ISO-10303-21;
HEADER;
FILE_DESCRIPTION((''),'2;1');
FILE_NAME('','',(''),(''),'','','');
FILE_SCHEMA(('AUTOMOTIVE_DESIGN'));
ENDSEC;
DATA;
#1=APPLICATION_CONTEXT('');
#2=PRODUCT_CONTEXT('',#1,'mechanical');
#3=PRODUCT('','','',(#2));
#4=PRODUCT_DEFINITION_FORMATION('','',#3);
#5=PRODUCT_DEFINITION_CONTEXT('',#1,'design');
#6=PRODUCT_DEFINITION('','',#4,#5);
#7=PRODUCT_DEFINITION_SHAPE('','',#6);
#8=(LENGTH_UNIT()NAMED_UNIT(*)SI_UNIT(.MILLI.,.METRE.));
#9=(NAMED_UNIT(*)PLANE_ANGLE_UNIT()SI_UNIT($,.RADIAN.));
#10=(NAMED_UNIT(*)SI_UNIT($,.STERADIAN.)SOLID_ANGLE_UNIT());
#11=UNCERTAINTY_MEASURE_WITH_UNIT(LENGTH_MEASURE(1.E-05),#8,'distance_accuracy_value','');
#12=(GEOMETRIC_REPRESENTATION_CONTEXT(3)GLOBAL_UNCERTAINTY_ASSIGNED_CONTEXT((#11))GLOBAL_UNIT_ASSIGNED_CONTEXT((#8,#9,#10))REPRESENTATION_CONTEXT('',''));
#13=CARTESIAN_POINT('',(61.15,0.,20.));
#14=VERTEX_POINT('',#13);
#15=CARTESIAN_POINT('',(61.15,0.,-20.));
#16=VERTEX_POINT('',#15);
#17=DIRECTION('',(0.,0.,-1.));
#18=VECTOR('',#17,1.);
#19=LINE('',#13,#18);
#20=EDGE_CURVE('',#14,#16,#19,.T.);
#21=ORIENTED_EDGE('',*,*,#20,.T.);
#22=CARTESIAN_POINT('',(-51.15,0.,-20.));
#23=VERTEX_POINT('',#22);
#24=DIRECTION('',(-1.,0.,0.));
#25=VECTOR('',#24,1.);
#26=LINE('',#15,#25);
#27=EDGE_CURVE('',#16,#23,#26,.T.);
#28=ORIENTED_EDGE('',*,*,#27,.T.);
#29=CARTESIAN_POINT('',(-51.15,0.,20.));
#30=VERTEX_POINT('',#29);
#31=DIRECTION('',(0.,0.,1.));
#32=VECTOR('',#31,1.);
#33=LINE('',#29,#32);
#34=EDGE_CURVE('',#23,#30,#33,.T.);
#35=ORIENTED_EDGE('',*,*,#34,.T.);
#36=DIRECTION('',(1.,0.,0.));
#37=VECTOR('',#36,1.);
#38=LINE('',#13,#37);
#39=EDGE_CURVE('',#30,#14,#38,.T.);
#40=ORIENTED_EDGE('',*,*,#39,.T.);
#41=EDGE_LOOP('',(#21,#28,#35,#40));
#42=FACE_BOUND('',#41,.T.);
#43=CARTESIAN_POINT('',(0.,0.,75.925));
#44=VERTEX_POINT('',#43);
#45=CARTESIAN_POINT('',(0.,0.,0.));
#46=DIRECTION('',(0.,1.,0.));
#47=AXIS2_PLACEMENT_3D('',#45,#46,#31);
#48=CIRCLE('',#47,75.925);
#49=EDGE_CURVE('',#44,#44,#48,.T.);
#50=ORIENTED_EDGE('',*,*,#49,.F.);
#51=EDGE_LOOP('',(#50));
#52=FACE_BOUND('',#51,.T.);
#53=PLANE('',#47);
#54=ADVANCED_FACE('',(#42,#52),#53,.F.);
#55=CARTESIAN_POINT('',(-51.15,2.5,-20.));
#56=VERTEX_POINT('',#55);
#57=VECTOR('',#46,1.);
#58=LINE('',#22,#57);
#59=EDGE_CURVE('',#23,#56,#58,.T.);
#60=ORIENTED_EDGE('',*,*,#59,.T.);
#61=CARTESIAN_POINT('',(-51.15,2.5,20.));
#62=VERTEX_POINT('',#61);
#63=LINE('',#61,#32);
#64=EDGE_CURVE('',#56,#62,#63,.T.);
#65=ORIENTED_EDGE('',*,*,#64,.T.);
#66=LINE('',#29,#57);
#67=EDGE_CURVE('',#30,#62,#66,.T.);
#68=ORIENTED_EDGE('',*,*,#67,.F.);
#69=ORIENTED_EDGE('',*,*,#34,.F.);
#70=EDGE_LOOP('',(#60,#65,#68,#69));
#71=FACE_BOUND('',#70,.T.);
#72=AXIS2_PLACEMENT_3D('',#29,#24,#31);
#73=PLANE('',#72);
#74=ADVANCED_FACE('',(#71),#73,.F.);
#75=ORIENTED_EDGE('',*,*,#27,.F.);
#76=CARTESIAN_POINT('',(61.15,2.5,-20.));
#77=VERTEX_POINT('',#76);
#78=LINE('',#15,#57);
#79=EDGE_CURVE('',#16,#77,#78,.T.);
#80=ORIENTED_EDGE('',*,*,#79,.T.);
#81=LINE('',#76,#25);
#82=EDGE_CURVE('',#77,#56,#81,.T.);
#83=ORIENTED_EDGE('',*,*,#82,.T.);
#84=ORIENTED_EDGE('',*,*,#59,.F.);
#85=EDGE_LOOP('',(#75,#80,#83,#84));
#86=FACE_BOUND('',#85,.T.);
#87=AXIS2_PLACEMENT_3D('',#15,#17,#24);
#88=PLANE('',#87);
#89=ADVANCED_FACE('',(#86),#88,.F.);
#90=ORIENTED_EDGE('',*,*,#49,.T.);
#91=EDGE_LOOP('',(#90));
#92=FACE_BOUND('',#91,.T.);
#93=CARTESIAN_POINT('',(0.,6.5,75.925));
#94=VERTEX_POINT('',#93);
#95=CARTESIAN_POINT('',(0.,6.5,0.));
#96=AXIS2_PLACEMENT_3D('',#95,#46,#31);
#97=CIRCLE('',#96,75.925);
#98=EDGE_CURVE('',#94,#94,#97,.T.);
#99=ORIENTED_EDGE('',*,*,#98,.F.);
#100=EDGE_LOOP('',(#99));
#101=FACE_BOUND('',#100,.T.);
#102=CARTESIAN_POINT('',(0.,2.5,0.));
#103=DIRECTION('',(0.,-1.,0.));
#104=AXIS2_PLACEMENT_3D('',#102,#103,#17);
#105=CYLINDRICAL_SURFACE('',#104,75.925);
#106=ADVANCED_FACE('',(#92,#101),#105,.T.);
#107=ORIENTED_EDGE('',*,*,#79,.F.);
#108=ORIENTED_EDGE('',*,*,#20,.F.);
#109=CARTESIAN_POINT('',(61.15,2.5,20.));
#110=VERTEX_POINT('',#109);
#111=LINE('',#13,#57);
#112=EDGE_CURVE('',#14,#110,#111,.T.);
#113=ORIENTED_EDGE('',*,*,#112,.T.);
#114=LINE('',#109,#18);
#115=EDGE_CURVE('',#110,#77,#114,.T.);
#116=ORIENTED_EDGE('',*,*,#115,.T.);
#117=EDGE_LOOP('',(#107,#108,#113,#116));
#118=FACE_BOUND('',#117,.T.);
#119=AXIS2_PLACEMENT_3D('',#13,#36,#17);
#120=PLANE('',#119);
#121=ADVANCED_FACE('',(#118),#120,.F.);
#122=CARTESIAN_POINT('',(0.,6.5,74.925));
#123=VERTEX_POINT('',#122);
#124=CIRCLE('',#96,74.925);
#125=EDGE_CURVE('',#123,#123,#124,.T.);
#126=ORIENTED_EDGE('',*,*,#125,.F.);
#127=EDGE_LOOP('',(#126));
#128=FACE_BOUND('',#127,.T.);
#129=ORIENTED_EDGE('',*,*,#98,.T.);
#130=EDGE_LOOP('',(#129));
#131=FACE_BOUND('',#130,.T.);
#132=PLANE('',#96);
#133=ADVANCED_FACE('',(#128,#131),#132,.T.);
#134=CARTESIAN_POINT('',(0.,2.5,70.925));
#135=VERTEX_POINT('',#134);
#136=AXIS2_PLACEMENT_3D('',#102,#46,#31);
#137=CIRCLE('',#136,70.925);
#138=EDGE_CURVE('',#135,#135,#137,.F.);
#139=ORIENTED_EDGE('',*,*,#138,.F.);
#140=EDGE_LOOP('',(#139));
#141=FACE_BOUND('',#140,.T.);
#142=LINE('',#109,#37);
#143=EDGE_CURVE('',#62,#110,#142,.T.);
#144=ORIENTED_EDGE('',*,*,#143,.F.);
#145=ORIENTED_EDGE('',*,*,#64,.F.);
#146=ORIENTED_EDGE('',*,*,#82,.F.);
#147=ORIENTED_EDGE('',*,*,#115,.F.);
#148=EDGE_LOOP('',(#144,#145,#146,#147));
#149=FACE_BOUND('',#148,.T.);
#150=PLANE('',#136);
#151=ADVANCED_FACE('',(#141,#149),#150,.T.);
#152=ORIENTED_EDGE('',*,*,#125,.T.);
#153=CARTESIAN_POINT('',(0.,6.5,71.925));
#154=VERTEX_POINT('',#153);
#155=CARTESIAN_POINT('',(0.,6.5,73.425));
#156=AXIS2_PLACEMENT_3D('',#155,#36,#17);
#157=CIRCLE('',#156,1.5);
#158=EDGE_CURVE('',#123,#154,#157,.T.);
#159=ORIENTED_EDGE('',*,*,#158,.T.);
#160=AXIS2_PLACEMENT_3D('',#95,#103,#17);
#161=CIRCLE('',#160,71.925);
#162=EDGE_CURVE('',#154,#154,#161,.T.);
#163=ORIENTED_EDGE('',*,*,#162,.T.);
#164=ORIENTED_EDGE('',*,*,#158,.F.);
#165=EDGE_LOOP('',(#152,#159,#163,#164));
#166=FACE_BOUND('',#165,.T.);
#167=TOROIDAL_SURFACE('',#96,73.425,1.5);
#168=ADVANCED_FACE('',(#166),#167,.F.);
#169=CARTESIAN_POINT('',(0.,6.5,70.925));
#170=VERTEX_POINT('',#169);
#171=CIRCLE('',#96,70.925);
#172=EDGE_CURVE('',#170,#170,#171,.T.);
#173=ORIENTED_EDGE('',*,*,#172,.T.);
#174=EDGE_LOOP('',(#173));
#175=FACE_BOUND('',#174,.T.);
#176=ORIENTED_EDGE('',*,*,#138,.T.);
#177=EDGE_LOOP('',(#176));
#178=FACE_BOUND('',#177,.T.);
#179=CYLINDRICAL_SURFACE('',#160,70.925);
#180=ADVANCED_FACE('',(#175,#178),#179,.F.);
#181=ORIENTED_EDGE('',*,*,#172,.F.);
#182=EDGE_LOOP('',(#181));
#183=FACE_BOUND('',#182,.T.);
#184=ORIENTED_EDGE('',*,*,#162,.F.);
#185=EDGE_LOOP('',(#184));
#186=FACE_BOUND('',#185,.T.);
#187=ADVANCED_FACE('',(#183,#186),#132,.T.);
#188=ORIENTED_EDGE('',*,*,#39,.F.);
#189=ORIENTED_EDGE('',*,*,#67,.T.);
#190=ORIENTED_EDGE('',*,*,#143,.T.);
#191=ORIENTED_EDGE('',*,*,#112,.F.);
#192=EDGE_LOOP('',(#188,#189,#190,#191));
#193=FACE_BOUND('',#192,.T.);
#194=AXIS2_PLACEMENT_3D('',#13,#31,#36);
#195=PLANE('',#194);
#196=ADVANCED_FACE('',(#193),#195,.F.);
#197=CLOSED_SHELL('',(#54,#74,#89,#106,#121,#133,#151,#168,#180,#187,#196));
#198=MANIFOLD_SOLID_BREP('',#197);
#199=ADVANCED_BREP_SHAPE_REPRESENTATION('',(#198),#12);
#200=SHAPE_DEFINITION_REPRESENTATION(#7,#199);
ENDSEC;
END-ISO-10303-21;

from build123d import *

# Parameters (mm, degrees)
SKETCH1_R            = 75.925
BOSS_EXTRUDE1_DEPTH  = 2.5
SKETCH2_W            = 112.3
SKETCH2_H            = 40
CUT_EXTRUDE1_DEPTH   = 3.5
SKETCH10_R           = 75.925
SKETCH10_R_2         = 70.925
BOSS_EXTRUDE2_DEPTH  = 4
CUT_SWEEP3_PROFILE_R = 1.5


with BuildPart() as part:
    # Sketch1 → Boss-Extrude1 (new body)
    with BuildSketch(Plane(origin=(0, 0, 0), x_dir=(1, 0, 0), z_dir=(0, 1, 0))):
        Circle(SKETCH1_R)
    extrude(amount=BOSS_EXTRUDE1_DEPTH)

    # Sketch2 → Cut-Extrude1 (cut, through all)
    with BuildSketch(Plane(origin=(0, 2.5, 0), x_dir=(1, 0, 0), z_dir=(0, 1, 0))):
        with Locations((5, 0)):
            Rectangle(SKETCH2_W, SKETCH2_H)
    extrude(amount=-CUT_EXTRUDE1_DEPTH, mode=Mode.SUBTRACT)

    # Sketch10 → Boss-Extrude2 (add)
    with BuildSketch(Plane(origin=(0, 2.5, 0), x_dir=(1, 0, 0), z_dir=(0, 1, 0))):
        Circle(SKETCH10_R)
        Circle(SKETCH10_R_2, mode=Mode.SUBTRACT)
    extrude(amount=BOSS_EXTRUDE2_DEPTH)

    # Cut-Sweep3: sweep along a path in Sketch12
    with BuildLine(Plane(origin=(0, 6.5, 0), x_dir=(1, 0, 0), z_dir=(0, 1, 0))) as cut_sweep3_path:
        CenterArc((0, 0), 73.425, 0, 360)
    # Cut-Sweep3 profile (on start of the path) → Cut-Sweep3 (sweep, cut)
    with BuildSketch(Plane(origin=(73.425, 6.5, 0), x_dir=(-1, 0, 0), z_dir=(0, 0, -1))):
        Circle(CUT_SWEEP3_PROFILE_R)
    sweep(path=cut_sweep3_path.line, mode=Mode.SUBTRACT)


solid = part.part
